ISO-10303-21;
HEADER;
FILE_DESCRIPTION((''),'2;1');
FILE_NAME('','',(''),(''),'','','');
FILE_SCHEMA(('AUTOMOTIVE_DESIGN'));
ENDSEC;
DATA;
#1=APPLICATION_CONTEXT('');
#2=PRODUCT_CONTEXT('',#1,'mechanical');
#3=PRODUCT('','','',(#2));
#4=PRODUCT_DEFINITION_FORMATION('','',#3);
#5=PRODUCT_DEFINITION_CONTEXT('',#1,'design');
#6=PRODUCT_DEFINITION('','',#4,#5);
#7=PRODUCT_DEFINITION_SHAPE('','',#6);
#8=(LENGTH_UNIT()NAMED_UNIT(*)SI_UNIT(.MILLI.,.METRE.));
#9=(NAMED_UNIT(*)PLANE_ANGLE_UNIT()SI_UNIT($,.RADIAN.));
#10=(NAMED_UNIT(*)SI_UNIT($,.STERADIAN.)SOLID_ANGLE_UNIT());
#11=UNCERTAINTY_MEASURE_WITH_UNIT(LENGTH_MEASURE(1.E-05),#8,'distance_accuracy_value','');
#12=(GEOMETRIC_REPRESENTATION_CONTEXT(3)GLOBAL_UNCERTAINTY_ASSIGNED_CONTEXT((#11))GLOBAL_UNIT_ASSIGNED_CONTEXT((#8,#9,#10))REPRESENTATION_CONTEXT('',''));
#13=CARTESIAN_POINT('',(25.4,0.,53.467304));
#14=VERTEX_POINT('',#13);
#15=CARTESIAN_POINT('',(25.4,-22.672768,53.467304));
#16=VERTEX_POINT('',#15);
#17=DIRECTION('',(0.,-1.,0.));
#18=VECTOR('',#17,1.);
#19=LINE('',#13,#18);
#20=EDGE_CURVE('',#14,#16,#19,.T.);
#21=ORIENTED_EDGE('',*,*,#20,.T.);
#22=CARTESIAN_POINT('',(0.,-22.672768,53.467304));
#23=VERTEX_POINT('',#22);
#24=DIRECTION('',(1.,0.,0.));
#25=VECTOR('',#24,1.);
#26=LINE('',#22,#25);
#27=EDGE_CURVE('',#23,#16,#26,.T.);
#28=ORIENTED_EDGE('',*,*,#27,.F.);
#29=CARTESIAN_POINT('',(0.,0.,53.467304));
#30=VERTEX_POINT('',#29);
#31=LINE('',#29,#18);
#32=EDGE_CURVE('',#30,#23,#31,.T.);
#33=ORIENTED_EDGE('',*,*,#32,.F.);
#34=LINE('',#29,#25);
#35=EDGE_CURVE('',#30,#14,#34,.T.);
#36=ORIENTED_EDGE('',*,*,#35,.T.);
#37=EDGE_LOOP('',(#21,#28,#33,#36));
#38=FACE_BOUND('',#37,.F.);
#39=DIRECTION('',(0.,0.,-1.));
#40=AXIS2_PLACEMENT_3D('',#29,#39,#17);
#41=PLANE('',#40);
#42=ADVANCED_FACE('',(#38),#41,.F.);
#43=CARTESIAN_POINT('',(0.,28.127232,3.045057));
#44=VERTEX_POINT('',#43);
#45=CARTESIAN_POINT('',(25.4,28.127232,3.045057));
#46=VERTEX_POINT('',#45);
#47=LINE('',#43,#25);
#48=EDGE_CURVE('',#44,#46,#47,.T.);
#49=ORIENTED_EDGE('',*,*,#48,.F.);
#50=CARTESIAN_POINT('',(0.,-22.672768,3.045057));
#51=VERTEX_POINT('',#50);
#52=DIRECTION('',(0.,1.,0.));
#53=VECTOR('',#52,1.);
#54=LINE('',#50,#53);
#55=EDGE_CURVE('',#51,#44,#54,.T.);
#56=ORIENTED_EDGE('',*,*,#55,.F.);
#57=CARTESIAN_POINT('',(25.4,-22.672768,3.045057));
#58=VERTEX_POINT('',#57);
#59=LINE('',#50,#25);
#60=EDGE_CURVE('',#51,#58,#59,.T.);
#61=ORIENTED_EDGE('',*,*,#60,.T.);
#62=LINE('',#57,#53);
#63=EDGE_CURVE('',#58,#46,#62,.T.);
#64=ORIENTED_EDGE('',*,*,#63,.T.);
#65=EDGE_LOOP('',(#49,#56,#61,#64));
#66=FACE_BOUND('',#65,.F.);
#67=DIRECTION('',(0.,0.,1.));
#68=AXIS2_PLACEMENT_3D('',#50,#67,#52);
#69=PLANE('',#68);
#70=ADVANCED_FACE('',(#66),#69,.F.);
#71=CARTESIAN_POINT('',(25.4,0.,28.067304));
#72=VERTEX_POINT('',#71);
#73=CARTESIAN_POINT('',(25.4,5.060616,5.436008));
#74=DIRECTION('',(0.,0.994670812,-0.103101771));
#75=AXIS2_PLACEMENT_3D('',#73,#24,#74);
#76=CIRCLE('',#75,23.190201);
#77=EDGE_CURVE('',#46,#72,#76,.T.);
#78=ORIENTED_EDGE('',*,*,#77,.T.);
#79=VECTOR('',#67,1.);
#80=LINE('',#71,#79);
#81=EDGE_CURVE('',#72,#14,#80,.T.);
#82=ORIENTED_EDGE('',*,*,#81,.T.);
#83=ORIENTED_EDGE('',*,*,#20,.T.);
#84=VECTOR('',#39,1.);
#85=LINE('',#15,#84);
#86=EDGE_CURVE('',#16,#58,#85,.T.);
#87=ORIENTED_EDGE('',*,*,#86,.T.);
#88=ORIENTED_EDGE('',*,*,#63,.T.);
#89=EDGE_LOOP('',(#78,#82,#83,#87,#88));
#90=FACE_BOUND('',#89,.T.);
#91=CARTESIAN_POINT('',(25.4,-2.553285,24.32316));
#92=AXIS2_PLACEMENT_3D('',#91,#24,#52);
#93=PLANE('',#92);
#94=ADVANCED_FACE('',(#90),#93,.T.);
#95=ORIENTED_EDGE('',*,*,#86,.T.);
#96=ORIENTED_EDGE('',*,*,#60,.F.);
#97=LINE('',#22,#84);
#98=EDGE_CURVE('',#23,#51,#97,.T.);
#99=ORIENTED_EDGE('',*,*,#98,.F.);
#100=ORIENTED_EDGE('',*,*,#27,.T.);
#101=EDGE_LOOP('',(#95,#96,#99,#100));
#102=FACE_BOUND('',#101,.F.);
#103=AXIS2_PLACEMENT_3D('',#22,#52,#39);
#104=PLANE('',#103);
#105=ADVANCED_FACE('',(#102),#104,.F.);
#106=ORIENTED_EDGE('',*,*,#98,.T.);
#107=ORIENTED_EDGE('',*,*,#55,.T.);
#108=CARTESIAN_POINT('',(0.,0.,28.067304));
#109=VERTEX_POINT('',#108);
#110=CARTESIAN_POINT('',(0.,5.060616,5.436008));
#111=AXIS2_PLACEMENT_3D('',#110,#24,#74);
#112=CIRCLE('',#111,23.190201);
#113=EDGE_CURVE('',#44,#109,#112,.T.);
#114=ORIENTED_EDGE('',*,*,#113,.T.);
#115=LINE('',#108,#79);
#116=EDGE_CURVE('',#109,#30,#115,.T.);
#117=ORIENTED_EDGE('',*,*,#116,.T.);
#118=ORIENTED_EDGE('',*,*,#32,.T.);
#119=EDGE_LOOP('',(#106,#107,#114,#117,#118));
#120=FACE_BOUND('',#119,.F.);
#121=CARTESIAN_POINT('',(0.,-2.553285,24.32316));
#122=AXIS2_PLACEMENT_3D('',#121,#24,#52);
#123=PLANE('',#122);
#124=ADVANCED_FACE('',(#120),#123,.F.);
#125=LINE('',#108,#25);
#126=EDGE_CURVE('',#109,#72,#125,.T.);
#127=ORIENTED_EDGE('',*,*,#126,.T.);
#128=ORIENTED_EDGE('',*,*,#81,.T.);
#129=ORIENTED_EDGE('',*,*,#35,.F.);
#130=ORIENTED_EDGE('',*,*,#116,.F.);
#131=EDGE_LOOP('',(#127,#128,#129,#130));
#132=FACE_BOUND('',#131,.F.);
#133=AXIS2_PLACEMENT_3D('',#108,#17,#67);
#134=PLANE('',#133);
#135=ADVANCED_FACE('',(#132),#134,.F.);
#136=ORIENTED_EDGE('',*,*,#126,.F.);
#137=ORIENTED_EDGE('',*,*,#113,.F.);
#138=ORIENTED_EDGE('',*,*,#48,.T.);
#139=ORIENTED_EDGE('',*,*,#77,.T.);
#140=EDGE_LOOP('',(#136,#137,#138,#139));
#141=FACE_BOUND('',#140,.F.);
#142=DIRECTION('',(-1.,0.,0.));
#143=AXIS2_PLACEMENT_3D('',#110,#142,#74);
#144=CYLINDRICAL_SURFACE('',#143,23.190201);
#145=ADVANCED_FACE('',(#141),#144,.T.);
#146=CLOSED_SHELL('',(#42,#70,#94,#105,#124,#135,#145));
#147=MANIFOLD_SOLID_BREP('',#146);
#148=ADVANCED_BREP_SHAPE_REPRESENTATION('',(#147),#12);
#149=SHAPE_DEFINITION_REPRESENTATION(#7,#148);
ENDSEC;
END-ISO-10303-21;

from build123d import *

# Parameters (mm, degrees)
F1_DEPTH = 25.4


with BuildPart() as f1:
    # F0 (on Right) → F1 (new body)
    with BuildSketch(Plane.YZ):
        with BuildLine():
            Line((0, 53.467304), (-22.672768, 53.467304))
            Line((-22.672768, 53.467304), (-22.672768, 3.045057))
            Line((-22.672768, 3.045057), (28.127232, 3.045057))
            ThreePointArc((28.127232, 3.045057), (20.474319, 22.76238), (0, 28.067304))
            Line((0, 28.067304), (0, 53.467304))
        make_face()
    extrude(amount=F1_DEPTH)


solid = f1.part
